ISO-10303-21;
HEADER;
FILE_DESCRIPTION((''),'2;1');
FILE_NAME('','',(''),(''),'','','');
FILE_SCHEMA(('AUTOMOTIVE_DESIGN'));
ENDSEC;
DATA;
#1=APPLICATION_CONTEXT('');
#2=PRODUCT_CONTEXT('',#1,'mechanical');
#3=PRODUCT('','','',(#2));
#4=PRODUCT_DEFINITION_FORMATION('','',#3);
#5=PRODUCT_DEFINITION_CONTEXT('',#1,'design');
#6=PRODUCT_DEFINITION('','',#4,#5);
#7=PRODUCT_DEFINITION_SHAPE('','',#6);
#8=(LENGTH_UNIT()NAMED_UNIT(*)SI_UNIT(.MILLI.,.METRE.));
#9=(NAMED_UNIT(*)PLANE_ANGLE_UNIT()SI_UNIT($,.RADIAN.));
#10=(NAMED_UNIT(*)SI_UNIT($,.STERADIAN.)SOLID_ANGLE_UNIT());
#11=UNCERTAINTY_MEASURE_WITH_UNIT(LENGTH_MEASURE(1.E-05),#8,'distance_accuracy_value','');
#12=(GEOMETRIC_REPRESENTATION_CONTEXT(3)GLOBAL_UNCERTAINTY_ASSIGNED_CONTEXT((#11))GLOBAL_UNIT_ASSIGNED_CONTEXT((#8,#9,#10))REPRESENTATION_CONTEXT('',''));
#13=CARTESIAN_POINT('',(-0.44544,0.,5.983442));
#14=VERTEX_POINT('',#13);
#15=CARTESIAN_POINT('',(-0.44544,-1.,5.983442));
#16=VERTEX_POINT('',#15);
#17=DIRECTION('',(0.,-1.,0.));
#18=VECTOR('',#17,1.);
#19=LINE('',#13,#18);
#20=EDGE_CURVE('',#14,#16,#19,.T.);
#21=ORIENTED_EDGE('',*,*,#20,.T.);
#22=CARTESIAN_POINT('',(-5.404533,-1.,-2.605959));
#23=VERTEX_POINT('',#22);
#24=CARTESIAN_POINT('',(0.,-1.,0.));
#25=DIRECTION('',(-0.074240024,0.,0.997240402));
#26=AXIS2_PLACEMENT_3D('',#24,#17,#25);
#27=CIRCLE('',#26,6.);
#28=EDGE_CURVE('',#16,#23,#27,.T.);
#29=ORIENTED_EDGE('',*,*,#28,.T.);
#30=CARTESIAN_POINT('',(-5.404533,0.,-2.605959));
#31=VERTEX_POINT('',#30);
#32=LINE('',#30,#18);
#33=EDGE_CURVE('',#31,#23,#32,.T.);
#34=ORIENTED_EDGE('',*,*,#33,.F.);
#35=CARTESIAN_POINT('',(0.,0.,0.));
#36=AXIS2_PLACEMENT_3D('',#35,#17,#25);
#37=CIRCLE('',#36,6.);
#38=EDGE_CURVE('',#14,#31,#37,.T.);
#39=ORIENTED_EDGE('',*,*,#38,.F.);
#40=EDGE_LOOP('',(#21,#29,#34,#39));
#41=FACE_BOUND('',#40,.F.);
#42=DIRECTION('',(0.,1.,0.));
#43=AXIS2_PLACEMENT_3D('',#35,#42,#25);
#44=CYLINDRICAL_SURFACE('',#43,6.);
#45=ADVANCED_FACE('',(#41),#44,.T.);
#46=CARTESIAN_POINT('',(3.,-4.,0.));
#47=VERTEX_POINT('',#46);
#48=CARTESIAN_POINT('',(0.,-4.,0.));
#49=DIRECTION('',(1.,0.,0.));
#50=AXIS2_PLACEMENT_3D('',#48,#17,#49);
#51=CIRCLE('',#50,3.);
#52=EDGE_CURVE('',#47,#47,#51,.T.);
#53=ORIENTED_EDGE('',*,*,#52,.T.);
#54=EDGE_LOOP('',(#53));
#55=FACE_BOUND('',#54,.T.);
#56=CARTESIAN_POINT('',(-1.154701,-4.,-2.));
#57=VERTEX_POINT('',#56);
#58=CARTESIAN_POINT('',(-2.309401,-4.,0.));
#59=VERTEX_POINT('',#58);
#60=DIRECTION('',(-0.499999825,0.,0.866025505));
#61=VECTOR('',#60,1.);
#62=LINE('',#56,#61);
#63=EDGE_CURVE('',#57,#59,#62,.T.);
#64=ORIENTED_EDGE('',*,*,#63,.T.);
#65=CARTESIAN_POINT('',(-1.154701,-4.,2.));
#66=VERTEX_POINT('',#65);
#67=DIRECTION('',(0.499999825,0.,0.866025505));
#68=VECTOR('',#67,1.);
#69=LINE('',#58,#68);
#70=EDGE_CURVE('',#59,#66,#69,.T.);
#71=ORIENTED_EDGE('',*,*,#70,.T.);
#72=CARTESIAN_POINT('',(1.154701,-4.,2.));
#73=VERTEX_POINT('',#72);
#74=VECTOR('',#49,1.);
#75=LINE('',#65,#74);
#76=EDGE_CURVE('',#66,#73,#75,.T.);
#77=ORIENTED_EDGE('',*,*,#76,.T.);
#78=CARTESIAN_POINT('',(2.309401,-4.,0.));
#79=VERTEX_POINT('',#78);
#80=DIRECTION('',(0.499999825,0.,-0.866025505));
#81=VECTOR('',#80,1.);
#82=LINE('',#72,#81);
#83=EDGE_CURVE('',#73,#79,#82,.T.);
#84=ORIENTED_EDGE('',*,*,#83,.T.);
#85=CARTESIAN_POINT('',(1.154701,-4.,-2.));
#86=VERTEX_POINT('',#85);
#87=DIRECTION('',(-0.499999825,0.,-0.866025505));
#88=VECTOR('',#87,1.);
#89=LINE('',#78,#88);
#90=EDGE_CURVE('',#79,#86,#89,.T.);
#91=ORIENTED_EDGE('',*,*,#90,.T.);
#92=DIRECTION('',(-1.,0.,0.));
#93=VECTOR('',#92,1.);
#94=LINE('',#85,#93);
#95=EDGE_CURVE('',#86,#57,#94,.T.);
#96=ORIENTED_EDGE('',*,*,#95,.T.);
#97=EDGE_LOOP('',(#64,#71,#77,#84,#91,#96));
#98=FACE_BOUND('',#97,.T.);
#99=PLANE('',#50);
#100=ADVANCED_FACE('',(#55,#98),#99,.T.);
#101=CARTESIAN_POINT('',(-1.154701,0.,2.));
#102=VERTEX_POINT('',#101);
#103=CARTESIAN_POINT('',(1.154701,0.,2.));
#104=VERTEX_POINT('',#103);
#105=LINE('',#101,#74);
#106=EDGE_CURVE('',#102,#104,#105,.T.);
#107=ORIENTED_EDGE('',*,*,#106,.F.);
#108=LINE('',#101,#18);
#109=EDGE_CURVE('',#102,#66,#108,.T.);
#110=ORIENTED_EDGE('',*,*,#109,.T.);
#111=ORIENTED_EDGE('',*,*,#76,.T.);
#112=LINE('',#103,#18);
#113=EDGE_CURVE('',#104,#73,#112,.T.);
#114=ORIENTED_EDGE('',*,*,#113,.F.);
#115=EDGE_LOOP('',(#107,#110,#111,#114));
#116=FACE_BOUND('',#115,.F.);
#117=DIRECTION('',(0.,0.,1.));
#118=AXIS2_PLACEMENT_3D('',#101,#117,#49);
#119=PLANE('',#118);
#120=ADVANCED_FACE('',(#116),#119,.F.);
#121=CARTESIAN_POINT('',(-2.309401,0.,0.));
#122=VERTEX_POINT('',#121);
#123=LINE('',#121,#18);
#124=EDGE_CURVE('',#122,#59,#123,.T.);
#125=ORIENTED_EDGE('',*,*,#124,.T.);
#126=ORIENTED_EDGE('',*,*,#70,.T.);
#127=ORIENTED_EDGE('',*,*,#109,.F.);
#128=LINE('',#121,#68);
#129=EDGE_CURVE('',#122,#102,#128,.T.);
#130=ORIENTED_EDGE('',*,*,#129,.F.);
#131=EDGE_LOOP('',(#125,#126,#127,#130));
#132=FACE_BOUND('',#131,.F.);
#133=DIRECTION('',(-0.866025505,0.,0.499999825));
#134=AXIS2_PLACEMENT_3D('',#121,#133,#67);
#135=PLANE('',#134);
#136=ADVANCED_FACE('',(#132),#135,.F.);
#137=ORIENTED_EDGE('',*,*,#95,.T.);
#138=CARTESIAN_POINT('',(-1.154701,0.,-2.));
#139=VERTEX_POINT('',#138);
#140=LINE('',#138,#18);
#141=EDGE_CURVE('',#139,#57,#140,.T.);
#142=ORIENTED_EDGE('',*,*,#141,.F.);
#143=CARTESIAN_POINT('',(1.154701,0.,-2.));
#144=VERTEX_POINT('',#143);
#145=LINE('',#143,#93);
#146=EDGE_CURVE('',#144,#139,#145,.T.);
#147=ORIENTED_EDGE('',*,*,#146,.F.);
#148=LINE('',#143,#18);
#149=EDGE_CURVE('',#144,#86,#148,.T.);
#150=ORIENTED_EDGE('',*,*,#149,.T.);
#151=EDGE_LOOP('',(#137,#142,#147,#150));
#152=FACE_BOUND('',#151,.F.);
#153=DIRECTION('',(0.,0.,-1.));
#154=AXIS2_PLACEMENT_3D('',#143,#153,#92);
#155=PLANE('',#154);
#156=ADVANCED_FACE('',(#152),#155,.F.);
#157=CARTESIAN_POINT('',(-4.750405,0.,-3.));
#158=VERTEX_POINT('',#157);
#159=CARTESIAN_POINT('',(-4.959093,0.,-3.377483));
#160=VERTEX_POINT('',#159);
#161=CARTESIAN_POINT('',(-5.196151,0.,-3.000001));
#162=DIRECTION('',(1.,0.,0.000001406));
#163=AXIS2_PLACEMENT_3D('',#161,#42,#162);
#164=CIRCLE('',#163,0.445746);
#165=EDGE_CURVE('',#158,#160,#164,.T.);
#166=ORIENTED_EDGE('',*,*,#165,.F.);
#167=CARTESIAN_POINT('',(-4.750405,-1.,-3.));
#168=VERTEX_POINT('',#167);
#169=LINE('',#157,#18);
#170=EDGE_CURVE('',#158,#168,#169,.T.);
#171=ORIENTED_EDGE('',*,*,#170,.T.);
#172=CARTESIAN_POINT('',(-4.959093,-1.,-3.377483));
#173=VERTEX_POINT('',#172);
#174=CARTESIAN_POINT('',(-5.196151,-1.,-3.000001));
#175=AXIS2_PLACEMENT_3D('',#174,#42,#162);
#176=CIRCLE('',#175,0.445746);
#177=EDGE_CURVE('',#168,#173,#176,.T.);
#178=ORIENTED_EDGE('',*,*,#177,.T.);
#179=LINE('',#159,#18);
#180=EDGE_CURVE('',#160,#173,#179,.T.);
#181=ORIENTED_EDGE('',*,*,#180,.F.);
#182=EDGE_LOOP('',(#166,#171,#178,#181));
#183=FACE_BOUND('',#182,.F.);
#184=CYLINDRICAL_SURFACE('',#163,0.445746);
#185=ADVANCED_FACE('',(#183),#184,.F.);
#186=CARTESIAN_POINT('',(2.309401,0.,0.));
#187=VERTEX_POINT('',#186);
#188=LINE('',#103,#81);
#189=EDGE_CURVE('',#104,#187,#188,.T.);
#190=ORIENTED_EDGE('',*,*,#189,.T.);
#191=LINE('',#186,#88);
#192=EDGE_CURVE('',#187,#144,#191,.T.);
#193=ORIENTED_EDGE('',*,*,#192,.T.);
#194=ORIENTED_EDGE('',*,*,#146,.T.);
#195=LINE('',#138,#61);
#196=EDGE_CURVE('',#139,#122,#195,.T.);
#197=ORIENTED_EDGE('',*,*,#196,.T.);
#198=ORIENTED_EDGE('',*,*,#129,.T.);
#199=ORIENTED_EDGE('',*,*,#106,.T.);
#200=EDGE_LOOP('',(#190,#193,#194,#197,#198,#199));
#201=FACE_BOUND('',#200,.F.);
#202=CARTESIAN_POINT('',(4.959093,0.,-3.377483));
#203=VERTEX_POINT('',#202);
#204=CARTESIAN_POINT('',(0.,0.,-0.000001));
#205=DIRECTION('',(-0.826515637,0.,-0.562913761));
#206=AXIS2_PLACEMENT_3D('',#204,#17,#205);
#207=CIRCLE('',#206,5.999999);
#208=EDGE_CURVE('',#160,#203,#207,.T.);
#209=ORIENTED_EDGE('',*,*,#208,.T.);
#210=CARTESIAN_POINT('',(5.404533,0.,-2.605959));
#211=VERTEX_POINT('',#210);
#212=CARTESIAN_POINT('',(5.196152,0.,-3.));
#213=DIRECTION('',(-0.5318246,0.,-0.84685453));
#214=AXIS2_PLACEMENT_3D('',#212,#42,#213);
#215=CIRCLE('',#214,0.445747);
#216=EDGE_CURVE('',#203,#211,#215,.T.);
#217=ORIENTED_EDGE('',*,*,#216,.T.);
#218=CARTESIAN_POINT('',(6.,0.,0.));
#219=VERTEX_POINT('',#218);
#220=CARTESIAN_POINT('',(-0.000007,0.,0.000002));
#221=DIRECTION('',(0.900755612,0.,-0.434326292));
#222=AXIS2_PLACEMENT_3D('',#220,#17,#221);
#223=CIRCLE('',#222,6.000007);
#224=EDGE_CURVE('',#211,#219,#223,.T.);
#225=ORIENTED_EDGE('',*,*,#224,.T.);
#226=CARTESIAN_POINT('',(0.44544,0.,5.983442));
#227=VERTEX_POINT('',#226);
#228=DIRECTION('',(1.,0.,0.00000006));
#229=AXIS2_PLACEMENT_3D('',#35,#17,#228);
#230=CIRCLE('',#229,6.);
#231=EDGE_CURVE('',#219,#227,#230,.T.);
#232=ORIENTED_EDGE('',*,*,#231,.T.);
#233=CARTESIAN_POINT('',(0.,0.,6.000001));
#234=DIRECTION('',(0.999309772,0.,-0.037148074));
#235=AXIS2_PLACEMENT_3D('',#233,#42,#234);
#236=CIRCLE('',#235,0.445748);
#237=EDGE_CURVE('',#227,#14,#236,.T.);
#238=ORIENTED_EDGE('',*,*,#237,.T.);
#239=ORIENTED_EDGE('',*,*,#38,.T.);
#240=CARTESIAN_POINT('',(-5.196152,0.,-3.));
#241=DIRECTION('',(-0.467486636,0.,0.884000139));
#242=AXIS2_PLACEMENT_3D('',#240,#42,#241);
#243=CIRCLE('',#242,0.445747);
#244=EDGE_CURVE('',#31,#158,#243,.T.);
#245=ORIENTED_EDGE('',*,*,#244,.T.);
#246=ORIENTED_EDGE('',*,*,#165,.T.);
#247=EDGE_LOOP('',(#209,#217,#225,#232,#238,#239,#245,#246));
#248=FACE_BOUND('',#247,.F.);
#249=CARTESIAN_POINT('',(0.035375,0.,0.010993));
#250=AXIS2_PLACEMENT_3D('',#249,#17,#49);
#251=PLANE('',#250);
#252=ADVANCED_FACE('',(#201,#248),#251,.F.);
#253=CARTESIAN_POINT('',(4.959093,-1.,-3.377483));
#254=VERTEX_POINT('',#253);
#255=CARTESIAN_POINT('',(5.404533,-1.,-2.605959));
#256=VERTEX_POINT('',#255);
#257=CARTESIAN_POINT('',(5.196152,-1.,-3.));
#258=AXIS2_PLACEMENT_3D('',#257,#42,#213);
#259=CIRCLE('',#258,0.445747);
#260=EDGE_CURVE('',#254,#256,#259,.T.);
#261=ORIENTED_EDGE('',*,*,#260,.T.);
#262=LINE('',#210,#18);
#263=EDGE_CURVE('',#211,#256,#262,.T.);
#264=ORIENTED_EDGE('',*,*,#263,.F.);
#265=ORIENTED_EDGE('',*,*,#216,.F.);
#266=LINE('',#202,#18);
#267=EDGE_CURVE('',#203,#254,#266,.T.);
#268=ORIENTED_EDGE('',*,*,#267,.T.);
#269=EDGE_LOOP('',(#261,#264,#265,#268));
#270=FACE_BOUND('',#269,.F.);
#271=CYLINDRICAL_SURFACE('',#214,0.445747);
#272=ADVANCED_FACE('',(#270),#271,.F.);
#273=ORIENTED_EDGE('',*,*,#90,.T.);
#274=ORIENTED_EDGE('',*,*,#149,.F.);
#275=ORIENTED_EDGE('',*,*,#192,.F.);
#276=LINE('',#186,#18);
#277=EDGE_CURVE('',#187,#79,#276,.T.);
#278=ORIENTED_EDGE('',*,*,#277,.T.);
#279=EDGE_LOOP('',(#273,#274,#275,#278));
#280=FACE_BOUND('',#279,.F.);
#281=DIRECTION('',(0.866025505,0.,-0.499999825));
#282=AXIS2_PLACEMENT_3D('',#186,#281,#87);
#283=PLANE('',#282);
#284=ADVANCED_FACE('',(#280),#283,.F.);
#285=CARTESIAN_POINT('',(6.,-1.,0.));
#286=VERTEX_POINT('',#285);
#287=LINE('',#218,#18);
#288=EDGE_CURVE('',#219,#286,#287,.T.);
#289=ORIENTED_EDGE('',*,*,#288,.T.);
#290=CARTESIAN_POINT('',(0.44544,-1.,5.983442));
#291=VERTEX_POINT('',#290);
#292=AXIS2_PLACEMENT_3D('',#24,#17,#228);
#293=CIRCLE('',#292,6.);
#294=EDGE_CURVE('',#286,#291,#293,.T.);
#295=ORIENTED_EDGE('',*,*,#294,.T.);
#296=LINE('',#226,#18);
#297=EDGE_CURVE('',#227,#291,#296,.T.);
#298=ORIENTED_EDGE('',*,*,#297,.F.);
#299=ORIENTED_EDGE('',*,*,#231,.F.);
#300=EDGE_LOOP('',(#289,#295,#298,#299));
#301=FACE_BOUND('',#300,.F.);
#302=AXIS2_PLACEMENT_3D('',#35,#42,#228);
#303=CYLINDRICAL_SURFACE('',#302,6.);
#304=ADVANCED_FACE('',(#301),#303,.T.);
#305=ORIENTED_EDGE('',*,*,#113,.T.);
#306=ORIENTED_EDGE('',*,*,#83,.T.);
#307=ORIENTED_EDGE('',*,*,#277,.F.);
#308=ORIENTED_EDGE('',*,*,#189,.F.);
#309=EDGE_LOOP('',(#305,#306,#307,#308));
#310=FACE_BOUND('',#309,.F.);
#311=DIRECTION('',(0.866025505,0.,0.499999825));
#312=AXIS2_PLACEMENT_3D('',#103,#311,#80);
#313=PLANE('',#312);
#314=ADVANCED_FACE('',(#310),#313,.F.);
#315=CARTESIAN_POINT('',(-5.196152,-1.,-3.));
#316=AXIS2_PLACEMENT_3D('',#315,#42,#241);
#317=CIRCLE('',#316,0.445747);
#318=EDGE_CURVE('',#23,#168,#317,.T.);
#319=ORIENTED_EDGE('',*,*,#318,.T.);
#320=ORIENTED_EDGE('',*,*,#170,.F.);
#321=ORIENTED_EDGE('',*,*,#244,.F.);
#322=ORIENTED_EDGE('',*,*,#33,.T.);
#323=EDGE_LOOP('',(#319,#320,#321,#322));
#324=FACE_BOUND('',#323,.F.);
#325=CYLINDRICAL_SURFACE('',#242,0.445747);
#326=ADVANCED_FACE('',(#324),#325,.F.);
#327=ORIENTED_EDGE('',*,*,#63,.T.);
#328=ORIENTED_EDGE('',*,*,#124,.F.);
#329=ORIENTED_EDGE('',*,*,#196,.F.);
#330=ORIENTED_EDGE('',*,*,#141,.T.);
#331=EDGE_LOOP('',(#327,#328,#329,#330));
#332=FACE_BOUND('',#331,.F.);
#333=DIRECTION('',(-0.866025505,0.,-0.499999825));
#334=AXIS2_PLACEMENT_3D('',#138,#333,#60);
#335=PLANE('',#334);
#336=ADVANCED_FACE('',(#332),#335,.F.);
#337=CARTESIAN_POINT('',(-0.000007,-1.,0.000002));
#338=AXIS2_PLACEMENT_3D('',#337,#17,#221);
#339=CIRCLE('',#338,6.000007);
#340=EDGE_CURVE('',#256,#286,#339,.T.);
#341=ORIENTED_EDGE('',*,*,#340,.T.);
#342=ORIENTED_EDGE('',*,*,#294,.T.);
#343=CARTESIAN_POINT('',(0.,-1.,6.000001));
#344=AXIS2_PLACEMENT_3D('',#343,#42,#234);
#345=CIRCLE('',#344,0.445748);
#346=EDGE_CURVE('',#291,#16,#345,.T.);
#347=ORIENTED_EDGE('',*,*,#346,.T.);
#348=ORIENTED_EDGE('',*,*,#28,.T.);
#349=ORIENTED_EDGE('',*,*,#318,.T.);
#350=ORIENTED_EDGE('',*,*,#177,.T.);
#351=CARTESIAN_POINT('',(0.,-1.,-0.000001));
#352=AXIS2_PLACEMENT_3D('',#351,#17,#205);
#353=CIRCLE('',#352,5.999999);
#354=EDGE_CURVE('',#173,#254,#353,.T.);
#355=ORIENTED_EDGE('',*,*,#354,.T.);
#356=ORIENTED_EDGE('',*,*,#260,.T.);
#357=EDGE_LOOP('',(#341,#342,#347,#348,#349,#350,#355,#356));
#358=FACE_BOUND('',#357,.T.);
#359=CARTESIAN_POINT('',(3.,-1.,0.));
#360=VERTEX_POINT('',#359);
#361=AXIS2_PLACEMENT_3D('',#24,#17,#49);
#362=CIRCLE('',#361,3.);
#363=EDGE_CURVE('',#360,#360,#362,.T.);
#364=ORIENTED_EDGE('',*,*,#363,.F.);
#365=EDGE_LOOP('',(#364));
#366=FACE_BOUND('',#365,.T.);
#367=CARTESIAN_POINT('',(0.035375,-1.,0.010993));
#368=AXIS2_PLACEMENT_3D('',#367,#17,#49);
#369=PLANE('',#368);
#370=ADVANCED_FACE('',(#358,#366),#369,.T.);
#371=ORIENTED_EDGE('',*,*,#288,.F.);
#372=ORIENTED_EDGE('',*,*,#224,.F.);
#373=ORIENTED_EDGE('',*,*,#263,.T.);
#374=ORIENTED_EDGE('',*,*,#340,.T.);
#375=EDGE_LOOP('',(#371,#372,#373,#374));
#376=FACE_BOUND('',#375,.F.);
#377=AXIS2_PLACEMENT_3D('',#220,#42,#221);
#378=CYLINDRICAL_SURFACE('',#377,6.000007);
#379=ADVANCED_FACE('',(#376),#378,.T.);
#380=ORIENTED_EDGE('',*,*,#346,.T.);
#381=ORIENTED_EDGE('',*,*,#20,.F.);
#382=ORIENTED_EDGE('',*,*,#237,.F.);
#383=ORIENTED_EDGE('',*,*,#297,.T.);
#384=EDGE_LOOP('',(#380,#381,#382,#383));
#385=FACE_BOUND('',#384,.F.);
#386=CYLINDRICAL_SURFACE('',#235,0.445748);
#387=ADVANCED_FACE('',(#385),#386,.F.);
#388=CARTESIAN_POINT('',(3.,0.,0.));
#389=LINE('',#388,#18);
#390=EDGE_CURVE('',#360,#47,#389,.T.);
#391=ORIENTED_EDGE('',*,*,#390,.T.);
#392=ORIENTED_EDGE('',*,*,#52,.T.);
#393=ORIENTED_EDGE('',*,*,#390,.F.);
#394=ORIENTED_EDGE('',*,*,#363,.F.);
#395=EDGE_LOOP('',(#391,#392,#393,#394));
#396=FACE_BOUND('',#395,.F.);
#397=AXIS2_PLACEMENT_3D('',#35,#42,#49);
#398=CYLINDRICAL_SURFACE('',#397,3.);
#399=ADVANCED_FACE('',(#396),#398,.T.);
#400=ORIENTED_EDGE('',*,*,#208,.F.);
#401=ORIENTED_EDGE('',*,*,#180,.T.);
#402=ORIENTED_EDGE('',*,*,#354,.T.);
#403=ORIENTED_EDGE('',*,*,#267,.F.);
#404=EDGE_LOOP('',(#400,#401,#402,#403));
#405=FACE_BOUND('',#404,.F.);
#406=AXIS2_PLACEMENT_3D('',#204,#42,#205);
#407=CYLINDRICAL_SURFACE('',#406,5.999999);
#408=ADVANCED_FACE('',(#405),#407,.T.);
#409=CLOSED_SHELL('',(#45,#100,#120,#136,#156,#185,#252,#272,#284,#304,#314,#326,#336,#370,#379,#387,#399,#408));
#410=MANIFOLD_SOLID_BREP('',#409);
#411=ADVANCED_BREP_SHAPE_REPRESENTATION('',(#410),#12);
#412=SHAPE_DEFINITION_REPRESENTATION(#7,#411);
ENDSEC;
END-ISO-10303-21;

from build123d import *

# Parameters (mm, degrees)
F0_R     = 3
F1_DEPTH = 1
F2_DEPTH = 4


with BuildPart() as f1:
    # F0 (on Front) → F1 (new body)
    with BuildSketch(Plane.XZ):
        with BuildLine():
            ThreePointArc((5.404533, -2.605959), (5.849239, -1.336563), (6, 0))
            ThreePointArc((6, 0), (4.397308, 4.082117), (0.44544, 5.983442))
            ThreePointArc((0.44544, 5.983442), (0, 5.554253), (-0.44544, 5.983442))
            ThreePointArc((-0.44544, 5.983442), (-5.196152, 3), (-5.404533, -2.605959))
            ThreePointArc((-5.404533, -2.605959), (-4.966146, -2.618178), (-4.750405, -3))
            ThreePointArc((-4.750405, -3), (-4.80605, -3.215664), (-4.959093, -3.377483))
            ThreePointArc((-4.959093, -3.377483), (0, -6), (4.959093, -3.377483))
            ThreePointArc((4.959093, -3.377483), (4.810124, -2.777126), (5.404533, -2.605959))
        make_face()
        Circle(F0_R, mode=Mode.SUBTRACT)
    extrude(amount=F1_DEPTH)

    # F0 (on Front) → F2 (join)
    with BuildSketch(Plane.XZ):
        Circle(F0_R)
        Polygon((-2.309401, 0), (-1.154701, 2), (1.154701, 2), (2.309401, 0), (1.154701, -2), (-1.154701, -2), align=None, mode=Mode.SUBTRACT)
    extrude(amount=F2_DEPTH)


solid = f1.part
